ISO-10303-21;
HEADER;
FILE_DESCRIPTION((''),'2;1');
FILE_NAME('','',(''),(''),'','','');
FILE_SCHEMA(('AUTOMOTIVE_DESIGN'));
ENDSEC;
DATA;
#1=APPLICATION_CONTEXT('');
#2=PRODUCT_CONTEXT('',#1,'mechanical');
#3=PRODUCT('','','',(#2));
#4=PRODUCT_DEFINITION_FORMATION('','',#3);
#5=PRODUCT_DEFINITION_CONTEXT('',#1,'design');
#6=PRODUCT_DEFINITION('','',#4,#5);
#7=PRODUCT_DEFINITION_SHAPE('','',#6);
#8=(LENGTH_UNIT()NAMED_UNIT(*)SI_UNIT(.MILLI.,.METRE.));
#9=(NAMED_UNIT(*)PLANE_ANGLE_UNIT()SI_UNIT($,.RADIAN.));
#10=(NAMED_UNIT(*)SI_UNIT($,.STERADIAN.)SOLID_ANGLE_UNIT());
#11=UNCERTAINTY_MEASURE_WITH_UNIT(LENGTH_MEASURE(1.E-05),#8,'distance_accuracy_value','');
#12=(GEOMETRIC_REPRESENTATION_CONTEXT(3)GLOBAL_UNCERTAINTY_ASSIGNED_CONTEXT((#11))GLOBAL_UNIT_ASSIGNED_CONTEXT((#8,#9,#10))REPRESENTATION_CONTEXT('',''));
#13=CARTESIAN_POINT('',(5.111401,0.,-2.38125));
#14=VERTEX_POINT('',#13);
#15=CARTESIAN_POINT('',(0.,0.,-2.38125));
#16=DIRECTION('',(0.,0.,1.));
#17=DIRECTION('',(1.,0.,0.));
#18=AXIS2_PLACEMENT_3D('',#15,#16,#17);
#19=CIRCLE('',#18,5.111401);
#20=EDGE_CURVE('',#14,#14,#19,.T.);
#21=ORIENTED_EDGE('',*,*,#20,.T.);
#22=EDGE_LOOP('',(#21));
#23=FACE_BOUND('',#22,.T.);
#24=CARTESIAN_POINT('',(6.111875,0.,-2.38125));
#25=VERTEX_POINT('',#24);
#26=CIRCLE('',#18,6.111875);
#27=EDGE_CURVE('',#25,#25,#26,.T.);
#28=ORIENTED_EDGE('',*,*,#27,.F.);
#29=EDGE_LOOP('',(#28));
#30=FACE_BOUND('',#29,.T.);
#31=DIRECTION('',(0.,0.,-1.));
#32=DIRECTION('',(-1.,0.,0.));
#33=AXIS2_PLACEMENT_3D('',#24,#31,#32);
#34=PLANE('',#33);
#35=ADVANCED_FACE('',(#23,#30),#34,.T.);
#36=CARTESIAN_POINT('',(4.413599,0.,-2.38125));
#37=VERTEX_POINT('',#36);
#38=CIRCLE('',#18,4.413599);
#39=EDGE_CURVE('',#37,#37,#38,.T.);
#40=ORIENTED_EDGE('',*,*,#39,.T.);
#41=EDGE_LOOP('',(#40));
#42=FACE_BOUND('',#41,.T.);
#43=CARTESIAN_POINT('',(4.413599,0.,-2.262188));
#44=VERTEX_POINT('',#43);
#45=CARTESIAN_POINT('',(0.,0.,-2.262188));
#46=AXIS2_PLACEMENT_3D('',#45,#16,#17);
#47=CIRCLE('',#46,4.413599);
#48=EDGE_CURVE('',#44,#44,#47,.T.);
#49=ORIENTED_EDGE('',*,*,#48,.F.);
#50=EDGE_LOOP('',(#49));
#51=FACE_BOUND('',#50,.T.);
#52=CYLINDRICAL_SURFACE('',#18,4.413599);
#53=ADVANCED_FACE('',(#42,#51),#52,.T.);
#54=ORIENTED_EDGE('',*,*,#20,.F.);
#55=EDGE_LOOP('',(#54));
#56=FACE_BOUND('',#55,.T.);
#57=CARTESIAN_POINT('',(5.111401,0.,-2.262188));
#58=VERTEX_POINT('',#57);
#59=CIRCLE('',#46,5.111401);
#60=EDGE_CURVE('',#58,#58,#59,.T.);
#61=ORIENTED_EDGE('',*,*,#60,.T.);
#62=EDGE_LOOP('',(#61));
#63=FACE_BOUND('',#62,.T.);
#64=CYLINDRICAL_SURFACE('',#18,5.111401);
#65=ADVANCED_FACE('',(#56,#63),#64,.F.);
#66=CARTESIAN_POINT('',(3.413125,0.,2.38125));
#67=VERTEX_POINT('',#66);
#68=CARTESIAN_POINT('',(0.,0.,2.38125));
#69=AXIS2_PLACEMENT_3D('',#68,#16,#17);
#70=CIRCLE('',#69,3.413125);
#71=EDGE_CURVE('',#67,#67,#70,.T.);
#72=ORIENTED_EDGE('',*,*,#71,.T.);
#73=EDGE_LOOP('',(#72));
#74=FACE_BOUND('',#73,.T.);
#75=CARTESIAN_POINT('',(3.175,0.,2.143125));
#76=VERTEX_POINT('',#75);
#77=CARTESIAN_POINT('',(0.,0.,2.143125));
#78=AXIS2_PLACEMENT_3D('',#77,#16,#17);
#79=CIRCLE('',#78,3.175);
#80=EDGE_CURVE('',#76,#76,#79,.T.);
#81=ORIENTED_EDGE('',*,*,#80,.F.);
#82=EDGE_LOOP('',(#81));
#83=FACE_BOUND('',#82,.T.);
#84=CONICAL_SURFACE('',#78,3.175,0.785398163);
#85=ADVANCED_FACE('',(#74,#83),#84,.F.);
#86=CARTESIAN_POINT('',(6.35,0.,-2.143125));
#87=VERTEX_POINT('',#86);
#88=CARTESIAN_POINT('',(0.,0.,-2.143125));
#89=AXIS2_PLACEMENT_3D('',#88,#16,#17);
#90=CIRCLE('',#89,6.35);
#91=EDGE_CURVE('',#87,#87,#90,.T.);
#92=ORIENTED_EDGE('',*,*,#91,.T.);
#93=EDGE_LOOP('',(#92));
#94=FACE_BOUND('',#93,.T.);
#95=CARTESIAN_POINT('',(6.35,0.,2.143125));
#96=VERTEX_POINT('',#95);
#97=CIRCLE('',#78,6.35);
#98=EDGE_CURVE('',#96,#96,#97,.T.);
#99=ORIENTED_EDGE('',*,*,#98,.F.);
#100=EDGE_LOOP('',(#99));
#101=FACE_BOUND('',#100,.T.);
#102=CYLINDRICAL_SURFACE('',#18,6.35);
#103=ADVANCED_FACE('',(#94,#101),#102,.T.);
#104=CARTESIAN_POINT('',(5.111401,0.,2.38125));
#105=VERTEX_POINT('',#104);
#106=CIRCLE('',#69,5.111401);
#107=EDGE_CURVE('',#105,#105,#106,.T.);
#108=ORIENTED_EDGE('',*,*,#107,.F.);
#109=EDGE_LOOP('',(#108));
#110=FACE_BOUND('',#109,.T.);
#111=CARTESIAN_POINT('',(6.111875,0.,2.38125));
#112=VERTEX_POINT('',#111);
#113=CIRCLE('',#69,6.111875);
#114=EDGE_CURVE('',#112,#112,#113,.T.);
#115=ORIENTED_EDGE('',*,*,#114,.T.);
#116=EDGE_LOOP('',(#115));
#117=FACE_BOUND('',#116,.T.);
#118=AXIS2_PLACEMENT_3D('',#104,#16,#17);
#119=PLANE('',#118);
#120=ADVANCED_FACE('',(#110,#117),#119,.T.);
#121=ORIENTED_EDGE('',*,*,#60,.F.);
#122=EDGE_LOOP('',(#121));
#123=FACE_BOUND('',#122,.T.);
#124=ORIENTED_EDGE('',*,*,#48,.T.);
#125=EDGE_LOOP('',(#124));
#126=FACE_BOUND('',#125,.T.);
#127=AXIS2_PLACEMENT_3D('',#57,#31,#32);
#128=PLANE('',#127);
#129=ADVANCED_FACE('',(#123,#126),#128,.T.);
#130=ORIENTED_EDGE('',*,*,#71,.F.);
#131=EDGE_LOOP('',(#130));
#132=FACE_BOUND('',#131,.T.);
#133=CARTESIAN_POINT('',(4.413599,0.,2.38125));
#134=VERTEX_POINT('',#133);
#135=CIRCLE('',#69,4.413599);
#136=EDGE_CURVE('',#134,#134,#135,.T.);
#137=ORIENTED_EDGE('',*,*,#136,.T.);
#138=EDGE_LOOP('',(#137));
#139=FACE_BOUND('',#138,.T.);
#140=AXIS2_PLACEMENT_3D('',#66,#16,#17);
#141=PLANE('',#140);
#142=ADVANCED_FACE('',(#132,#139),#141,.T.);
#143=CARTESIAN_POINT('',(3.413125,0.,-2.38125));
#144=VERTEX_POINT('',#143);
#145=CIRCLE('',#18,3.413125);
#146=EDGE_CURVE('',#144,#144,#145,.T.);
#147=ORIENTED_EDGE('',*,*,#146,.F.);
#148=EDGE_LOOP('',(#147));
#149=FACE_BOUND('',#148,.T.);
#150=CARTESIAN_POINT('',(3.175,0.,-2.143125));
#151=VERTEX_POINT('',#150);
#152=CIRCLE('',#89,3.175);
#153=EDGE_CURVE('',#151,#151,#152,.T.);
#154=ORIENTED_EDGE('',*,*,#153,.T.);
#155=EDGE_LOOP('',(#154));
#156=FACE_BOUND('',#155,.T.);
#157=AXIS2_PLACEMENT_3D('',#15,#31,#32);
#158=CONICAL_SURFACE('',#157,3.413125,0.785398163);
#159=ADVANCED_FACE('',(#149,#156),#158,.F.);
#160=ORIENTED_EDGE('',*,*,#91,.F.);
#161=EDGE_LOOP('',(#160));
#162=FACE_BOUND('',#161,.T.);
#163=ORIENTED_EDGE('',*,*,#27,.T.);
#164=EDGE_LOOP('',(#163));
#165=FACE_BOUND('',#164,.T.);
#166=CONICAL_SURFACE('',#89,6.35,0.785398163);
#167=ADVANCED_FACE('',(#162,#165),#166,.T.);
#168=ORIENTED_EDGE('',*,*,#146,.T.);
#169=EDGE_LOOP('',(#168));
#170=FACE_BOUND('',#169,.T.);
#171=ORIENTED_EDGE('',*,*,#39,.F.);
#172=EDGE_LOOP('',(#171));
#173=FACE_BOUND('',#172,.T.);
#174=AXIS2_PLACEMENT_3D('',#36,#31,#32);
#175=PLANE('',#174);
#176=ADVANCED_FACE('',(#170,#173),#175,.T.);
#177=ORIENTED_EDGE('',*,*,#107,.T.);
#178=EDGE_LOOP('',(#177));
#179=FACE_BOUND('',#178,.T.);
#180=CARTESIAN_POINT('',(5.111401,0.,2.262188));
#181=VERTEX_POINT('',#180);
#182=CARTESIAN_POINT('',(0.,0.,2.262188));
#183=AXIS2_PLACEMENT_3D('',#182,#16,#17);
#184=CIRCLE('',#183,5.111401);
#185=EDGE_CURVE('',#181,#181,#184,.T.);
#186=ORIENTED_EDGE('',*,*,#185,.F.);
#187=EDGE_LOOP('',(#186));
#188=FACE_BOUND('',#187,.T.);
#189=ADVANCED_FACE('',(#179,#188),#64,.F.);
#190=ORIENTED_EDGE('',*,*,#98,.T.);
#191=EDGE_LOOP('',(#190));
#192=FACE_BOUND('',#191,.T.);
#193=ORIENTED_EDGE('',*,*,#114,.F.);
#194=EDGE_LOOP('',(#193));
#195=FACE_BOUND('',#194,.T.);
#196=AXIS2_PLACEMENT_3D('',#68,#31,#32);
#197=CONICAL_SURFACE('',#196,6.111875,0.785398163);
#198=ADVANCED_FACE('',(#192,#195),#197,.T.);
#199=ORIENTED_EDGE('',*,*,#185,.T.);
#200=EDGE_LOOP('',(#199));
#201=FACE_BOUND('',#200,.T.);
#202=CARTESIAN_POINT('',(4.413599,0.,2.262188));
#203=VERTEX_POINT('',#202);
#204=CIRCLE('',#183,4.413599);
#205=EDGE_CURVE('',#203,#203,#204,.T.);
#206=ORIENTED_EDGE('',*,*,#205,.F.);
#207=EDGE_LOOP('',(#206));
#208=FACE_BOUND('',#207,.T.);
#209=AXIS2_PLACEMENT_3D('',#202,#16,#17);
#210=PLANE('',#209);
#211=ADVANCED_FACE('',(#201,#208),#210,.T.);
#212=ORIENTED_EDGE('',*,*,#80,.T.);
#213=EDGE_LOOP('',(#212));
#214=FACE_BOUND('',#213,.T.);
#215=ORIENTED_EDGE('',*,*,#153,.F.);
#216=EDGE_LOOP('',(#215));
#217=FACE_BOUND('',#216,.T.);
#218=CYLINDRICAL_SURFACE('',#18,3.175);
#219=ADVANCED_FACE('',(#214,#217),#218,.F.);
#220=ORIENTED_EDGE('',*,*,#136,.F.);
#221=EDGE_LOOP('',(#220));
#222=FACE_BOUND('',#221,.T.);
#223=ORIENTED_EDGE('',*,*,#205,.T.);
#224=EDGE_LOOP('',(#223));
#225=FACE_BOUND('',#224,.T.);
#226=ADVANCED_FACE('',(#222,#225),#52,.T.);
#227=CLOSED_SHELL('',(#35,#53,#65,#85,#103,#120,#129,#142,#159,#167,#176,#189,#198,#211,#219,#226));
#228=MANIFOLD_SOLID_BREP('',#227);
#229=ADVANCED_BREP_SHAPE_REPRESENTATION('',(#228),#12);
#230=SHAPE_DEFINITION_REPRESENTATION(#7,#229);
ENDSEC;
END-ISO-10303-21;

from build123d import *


with BuildPart() as part:
    # Sketch1 → Revolve1 (revolve)
    with BuildSketch(Plane(origin=(0, 0, 0), x_dir=(1, 0, 0), z_dir=(0, 1, 0))):
        Polygon((6.35, -2.143125), (6.35, 2.143125), (6.111875, 2.38125), (5.111401099, 2.38125), (5.111401099, 2.2621875), (4.413598901, 2.2621875), (4.413598901, 2.38125), (3.413125, 2.38125), (3.175, 2.143125), (3.175, -2.143125), (3.413125, -2.38125), (4.413598901, -2.38125), (4.413598901, -2.2621875), (5.111401099, -2.2621875), (5.111401099, -2.38125), (6.111875, -2.38125), align=None)
    revolve(axis=Axis((0, 0, -2.38125), (0, 0, 1)))


solid = part.part
